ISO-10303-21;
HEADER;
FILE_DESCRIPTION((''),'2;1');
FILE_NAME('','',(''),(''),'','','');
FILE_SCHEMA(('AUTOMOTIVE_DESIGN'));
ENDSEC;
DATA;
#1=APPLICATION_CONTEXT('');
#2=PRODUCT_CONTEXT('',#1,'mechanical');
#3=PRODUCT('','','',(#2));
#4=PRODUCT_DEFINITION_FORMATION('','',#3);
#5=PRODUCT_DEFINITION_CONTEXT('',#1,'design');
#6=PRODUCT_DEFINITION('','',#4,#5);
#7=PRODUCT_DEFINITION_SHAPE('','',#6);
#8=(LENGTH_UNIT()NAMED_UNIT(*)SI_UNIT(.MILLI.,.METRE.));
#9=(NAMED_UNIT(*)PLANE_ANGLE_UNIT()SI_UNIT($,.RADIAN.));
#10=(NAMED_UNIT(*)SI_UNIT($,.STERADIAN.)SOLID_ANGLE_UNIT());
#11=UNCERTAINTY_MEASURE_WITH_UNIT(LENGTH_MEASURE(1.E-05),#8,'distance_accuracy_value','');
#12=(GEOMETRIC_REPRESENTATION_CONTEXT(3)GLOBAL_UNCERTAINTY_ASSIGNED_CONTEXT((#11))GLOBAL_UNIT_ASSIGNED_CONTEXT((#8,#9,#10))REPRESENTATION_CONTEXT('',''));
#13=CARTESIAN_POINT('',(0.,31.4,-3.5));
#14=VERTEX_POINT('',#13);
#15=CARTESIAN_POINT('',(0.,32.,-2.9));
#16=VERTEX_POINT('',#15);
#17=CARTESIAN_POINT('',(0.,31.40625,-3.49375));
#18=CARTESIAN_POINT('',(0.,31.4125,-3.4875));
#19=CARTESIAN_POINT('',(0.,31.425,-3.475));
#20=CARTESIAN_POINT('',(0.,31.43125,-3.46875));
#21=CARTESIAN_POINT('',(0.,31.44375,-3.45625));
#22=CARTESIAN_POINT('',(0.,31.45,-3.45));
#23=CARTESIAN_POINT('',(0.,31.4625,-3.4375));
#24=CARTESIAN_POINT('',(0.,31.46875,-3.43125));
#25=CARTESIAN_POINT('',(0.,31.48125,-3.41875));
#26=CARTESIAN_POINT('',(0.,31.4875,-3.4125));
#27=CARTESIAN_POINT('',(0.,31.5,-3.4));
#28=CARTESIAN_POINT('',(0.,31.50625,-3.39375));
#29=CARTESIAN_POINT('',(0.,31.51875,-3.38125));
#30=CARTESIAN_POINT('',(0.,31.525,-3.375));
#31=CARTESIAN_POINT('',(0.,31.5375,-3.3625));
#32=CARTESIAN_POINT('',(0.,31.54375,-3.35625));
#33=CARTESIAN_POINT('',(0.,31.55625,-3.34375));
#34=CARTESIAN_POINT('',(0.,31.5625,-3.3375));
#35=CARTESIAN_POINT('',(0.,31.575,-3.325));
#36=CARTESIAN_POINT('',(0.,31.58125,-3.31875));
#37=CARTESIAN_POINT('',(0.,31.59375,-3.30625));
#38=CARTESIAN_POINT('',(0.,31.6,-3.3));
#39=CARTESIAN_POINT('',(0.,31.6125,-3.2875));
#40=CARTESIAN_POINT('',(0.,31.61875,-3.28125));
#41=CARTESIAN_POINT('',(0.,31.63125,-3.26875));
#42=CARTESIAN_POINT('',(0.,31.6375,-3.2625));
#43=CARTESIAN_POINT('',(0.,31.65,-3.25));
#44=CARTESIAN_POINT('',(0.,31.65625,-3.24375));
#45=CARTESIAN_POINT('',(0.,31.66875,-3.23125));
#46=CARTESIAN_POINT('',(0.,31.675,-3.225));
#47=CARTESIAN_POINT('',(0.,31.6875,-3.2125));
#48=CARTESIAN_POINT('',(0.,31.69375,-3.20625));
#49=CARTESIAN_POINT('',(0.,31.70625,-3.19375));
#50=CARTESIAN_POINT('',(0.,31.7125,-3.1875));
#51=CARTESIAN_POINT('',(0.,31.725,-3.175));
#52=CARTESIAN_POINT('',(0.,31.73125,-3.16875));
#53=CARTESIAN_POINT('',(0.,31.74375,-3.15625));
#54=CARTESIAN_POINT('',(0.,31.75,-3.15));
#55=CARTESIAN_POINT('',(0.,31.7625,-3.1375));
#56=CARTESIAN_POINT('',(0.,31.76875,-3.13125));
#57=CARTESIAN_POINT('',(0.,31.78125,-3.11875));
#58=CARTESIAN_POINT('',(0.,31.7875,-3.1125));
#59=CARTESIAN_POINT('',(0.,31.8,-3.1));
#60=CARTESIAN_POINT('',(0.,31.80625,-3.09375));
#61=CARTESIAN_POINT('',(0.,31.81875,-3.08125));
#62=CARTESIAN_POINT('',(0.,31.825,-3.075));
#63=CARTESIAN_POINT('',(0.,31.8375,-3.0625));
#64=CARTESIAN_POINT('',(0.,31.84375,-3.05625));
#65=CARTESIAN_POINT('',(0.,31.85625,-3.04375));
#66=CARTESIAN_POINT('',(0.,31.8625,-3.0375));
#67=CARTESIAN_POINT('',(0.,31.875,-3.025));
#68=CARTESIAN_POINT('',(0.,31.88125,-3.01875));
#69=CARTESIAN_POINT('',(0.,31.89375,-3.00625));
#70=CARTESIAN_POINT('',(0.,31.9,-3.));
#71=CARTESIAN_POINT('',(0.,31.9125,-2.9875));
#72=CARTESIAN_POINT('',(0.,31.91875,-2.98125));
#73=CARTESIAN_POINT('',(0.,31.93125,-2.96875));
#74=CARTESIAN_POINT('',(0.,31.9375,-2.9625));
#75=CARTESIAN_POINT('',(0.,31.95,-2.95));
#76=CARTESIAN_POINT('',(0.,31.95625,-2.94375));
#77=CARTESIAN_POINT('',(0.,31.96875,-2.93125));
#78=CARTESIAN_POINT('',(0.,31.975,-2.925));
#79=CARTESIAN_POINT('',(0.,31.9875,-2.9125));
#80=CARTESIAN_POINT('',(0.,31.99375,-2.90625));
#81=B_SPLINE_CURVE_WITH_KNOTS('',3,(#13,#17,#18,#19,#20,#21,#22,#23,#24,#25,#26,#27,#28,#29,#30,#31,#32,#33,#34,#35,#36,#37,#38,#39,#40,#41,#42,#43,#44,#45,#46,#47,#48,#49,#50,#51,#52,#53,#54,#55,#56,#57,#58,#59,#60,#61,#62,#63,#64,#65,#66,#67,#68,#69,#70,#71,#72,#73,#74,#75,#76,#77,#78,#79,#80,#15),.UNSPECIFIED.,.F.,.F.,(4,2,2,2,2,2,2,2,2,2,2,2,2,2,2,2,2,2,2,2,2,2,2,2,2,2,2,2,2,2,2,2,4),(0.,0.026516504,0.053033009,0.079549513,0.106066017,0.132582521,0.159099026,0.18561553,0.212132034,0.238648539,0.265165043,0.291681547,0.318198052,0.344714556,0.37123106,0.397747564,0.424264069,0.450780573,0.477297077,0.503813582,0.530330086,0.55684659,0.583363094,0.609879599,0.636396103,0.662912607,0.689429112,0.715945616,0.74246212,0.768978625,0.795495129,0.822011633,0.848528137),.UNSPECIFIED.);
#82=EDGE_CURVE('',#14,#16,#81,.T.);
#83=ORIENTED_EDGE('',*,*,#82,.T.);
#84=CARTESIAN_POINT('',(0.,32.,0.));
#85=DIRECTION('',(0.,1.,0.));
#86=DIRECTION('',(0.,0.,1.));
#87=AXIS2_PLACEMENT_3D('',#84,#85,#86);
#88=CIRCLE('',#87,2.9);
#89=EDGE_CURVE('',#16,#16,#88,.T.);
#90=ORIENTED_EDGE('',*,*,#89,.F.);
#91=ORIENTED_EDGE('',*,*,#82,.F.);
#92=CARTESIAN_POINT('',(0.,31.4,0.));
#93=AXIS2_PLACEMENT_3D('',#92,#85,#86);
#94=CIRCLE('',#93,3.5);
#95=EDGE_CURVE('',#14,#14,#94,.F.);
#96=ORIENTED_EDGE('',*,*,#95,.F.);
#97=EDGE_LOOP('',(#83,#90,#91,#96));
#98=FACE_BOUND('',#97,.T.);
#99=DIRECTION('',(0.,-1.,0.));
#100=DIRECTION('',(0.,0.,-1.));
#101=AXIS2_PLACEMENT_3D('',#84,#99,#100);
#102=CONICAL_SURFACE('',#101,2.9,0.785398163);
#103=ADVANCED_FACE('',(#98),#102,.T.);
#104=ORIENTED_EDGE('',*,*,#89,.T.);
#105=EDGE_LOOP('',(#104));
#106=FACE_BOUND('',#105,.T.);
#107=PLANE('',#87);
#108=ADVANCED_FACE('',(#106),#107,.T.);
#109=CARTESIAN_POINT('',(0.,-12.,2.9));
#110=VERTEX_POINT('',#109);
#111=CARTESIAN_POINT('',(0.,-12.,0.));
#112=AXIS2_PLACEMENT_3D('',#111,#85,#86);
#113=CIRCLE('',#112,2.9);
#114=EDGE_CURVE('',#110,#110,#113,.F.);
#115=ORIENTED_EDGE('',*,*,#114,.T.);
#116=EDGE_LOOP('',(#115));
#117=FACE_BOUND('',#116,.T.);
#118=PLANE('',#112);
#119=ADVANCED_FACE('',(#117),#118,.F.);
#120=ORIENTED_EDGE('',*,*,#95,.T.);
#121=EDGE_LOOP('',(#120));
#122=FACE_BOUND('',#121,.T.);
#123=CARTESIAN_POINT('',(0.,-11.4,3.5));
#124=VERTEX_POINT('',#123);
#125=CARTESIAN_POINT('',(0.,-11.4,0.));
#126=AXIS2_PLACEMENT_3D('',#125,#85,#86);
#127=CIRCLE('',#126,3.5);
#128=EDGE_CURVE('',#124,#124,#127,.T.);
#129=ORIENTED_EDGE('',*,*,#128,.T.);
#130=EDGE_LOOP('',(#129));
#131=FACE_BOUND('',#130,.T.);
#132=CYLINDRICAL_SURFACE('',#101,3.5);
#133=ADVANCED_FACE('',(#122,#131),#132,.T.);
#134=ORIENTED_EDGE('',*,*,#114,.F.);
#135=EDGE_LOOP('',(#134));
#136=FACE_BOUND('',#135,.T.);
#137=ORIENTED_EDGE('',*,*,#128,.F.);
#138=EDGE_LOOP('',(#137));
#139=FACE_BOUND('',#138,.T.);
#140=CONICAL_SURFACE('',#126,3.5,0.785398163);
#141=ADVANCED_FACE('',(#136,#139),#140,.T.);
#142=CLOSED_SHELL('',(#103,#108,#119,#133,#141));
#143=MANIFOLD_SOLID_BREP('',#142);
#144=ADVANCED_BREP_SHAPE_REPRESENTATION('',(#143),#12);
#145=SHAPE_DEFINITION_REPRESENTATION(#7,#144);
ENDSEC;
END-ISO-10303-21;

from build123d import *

# Parameters (mm, degrees)
ESTRUSIONE1_DEPTH      = 32
ESTRUSIONE1_DEPTH_BACK = 12
SCHIZZO1_R             = 3.5
SMUSSO1_SIZE           = 0.6


with BuildPart() as part:
    # Schizzo1 → Estrusione1 (new, two sides: drawn at the far end of the back side and taken through both)
    with BuildSketch(Plane(origin=(0, 0, 0), x_dir=(1, 0, 0), z_dir=(0, 1, 0)).offset(-ESTRUSIONE1_DEPTH_BACK)):
        with Locations(Location((0, 0, 0), (0, 0, 270))):
            Circle(SCHIZZO1_R)
    extrude(amount=ESTRUSIONE1_DEPTH + ESTRUSIONE1_DEPTH_BACK)

    # Smusso1
    smusso1_edges = [part.edges().sort_by_distance(p)[0] for p in [
        (0, -12, -3.5),
        (0, 32, -3.5),
    ]]
    chamfer(smusso1_edges, length=SMUSSO1_SIZE)


solid = part.part
